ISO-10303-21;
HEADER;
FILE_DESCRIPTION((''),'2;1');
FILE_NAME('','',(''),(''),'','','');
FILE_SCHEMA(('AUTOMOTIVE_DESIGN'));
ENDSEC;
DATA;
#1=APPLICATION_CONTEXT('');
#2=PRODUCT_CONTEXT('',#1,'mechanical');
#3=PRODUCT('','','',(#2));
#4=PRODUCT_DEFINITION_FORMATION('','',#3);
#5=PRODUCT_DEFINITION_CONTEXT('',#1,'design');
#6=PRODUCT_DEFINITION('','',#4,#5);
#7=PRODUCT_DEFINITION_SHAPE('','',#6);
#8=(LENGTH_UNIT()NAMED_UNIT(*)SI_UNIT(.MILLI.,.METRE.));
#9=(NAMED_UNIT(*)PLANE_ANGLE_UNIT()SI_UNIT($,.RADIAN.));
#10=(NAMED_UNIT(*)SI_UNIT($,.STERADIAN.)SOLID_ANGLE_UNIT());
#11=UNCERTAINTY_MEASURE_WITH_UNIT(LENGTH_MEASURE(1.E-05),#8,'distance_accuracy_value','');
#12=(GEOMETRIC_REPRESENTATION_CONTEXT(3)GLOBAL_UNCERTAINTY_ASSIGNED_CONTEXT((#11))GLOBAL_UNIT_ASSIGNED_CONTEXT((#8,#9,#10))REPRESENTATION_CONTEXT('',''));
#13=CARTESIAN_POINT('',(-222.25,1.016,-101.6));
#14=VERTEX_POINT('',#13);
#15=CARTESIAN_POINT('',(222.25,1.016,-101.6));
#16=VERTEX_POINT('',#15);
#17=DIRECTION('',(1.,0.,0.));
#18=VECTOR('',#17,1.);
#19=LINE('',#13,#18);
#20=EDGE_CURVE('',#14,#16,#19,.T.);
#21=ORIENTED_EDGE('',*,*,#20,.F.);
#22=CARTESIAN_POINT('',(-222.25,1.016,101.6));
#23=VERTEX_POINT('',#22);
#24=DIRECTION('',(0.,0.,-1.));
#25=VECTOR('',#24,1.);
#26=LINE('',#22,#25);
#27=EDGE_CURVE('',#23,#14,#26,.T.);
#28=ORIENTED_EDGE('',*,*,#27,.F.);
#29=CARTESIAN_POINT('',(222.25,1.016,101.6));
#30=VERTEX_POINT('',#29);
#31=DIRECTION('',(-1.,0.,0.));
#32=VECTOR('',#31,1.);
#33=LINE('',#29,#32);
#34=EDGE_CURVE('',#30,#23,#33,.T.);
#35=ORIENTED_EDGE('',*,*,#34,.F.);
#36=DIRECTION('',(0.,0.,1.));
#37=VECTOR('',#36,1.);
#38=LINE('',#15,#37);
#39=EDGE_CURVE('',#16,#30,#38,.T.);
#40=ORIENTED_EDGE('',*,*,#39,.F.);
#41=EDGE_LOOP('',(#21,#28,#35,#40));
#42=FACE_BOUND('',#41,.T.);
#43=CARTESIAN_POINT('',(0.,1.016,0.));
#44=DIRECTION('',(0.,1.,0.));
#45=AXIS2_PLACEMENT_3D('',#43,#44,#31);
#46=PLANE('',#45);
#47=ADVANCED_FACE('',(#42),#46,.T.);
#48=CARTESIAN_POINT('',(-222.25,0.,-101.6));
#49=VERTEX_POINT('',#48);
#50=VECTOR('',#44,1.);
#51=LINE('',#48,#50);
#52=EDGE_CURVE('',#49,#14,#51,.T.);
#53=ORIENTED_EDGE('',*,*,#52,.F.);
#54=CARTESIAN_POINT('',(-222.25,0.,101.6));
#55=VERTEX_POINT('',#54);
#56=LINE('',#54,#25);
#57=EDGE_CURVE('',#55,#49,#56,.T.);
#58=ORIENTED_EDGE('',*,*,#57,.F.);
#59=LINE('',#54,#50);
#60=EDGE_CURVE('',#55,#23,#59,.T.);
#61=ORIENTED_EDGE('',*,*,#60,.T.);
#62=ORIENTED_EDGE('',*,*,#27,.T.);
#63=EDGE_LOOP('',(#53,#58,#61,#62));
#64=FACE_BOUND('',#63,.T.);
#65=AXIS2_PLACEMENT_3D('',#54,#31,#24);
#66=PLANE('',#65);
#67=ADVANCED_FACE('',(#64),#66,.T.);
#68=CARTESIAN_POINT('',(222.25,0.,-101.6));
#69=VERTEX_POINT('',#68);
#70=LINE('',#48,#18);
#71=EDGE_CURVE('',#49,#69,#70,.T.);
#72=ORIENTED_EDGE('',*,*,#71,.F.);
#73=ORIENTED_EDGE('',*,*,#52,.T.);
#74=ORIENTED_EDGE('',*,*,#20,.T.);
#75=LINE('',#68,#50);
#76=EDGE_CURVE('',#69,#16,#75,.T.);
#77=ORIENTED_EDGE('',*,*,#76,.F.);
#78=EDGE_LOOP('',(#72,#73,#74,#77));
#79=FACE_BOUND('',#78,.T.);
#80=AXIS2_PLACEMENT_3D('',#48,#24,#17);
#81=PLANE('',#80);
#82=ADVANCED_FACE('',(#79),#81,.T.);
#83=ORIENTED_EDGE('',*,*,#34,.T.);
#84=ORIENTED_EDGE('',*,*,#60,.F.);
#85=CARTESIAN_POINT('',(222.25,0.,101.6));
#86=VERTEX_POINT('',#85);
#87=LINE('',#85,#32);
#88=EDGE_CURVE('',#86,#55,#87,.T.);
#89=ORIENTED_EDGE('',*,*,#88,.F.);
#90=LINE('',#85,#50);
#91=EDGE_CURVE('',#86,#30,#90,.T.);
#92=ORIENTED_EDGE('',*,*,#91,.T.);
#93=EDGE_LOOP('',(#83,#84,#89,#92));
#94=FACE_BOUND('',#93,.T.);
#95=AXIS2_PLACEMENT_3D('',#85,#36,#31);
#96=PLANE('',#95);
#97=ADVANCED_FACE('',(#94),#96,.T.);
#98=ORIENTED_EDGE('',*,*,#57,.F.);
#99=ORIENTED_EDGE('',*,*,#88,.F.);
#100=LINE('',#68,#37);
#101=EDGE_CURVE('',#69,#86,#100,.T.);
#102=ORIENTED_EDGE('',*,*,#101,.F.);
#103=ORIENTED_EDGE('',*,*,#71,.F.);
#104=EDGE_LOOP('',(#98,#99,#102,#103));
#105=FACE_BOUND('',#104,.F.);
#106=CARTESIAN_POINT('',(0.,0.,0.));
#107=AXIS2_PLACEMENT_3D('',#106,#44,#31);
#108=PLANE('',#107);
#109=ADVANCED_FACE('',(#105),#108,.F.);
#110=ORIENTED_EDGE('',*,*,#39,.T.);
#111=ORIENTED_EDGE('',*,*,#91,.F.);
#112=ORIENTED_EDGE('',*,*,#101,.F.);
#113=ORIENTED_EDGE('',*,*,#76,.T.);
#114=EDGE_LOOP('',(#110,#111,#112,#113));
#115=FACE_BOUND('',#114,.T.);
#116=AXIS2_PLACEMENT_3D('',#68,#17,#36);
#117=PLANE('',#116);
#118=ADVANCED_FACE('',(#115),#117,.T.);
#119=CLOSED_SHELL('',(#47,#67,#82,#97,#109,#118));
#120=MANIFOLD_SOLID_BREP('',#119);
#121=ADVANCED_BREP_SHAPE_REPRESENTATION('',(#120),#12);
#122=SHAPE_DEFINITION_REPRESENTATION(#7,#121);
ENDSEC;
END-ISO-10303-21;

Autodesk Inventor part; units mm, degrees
ref_plane "YZ Plane" through (0, 0, 0) normal (1, 0, 0) x (0, 1, 0)
ref_plane "XZ Plane" through (0, 0, 0) normal (0, 1, 0) x (-1, 0, 0)
ref_plane "XY Plane" through (0, 0, 0) normal (0, 0, 1) x (1, 0, 0)
sketch "Sketch1" plane through (0, 0, 0) normal (0, 1, 0) x (-1, 0, 0)
  line L0 (-222.25, 101.6) -> (222.25, 101.6)
  line L1 (222.25, 101.6) -> (222.25, -101.6)
  line L2 (222.25, -101.6) -> (-222.25, -101.6)
  line L3 (-222.25, -101.6) -> (-222.25, 101.6)
  line L4 (-222.25, 101.6) -> (222.25, -101.6) construction
  line L5 (222.25, 101.6) -> (-222.25, -101.6) construction
  point P0 (0, 0)
  dimension "d0" = 444.5
  dimension "d1" = 203.2
extrude "Extrusion1" add sketch "Sketch1" along normal blind 1.016
properties part number "plastic 8 x 17.5"
